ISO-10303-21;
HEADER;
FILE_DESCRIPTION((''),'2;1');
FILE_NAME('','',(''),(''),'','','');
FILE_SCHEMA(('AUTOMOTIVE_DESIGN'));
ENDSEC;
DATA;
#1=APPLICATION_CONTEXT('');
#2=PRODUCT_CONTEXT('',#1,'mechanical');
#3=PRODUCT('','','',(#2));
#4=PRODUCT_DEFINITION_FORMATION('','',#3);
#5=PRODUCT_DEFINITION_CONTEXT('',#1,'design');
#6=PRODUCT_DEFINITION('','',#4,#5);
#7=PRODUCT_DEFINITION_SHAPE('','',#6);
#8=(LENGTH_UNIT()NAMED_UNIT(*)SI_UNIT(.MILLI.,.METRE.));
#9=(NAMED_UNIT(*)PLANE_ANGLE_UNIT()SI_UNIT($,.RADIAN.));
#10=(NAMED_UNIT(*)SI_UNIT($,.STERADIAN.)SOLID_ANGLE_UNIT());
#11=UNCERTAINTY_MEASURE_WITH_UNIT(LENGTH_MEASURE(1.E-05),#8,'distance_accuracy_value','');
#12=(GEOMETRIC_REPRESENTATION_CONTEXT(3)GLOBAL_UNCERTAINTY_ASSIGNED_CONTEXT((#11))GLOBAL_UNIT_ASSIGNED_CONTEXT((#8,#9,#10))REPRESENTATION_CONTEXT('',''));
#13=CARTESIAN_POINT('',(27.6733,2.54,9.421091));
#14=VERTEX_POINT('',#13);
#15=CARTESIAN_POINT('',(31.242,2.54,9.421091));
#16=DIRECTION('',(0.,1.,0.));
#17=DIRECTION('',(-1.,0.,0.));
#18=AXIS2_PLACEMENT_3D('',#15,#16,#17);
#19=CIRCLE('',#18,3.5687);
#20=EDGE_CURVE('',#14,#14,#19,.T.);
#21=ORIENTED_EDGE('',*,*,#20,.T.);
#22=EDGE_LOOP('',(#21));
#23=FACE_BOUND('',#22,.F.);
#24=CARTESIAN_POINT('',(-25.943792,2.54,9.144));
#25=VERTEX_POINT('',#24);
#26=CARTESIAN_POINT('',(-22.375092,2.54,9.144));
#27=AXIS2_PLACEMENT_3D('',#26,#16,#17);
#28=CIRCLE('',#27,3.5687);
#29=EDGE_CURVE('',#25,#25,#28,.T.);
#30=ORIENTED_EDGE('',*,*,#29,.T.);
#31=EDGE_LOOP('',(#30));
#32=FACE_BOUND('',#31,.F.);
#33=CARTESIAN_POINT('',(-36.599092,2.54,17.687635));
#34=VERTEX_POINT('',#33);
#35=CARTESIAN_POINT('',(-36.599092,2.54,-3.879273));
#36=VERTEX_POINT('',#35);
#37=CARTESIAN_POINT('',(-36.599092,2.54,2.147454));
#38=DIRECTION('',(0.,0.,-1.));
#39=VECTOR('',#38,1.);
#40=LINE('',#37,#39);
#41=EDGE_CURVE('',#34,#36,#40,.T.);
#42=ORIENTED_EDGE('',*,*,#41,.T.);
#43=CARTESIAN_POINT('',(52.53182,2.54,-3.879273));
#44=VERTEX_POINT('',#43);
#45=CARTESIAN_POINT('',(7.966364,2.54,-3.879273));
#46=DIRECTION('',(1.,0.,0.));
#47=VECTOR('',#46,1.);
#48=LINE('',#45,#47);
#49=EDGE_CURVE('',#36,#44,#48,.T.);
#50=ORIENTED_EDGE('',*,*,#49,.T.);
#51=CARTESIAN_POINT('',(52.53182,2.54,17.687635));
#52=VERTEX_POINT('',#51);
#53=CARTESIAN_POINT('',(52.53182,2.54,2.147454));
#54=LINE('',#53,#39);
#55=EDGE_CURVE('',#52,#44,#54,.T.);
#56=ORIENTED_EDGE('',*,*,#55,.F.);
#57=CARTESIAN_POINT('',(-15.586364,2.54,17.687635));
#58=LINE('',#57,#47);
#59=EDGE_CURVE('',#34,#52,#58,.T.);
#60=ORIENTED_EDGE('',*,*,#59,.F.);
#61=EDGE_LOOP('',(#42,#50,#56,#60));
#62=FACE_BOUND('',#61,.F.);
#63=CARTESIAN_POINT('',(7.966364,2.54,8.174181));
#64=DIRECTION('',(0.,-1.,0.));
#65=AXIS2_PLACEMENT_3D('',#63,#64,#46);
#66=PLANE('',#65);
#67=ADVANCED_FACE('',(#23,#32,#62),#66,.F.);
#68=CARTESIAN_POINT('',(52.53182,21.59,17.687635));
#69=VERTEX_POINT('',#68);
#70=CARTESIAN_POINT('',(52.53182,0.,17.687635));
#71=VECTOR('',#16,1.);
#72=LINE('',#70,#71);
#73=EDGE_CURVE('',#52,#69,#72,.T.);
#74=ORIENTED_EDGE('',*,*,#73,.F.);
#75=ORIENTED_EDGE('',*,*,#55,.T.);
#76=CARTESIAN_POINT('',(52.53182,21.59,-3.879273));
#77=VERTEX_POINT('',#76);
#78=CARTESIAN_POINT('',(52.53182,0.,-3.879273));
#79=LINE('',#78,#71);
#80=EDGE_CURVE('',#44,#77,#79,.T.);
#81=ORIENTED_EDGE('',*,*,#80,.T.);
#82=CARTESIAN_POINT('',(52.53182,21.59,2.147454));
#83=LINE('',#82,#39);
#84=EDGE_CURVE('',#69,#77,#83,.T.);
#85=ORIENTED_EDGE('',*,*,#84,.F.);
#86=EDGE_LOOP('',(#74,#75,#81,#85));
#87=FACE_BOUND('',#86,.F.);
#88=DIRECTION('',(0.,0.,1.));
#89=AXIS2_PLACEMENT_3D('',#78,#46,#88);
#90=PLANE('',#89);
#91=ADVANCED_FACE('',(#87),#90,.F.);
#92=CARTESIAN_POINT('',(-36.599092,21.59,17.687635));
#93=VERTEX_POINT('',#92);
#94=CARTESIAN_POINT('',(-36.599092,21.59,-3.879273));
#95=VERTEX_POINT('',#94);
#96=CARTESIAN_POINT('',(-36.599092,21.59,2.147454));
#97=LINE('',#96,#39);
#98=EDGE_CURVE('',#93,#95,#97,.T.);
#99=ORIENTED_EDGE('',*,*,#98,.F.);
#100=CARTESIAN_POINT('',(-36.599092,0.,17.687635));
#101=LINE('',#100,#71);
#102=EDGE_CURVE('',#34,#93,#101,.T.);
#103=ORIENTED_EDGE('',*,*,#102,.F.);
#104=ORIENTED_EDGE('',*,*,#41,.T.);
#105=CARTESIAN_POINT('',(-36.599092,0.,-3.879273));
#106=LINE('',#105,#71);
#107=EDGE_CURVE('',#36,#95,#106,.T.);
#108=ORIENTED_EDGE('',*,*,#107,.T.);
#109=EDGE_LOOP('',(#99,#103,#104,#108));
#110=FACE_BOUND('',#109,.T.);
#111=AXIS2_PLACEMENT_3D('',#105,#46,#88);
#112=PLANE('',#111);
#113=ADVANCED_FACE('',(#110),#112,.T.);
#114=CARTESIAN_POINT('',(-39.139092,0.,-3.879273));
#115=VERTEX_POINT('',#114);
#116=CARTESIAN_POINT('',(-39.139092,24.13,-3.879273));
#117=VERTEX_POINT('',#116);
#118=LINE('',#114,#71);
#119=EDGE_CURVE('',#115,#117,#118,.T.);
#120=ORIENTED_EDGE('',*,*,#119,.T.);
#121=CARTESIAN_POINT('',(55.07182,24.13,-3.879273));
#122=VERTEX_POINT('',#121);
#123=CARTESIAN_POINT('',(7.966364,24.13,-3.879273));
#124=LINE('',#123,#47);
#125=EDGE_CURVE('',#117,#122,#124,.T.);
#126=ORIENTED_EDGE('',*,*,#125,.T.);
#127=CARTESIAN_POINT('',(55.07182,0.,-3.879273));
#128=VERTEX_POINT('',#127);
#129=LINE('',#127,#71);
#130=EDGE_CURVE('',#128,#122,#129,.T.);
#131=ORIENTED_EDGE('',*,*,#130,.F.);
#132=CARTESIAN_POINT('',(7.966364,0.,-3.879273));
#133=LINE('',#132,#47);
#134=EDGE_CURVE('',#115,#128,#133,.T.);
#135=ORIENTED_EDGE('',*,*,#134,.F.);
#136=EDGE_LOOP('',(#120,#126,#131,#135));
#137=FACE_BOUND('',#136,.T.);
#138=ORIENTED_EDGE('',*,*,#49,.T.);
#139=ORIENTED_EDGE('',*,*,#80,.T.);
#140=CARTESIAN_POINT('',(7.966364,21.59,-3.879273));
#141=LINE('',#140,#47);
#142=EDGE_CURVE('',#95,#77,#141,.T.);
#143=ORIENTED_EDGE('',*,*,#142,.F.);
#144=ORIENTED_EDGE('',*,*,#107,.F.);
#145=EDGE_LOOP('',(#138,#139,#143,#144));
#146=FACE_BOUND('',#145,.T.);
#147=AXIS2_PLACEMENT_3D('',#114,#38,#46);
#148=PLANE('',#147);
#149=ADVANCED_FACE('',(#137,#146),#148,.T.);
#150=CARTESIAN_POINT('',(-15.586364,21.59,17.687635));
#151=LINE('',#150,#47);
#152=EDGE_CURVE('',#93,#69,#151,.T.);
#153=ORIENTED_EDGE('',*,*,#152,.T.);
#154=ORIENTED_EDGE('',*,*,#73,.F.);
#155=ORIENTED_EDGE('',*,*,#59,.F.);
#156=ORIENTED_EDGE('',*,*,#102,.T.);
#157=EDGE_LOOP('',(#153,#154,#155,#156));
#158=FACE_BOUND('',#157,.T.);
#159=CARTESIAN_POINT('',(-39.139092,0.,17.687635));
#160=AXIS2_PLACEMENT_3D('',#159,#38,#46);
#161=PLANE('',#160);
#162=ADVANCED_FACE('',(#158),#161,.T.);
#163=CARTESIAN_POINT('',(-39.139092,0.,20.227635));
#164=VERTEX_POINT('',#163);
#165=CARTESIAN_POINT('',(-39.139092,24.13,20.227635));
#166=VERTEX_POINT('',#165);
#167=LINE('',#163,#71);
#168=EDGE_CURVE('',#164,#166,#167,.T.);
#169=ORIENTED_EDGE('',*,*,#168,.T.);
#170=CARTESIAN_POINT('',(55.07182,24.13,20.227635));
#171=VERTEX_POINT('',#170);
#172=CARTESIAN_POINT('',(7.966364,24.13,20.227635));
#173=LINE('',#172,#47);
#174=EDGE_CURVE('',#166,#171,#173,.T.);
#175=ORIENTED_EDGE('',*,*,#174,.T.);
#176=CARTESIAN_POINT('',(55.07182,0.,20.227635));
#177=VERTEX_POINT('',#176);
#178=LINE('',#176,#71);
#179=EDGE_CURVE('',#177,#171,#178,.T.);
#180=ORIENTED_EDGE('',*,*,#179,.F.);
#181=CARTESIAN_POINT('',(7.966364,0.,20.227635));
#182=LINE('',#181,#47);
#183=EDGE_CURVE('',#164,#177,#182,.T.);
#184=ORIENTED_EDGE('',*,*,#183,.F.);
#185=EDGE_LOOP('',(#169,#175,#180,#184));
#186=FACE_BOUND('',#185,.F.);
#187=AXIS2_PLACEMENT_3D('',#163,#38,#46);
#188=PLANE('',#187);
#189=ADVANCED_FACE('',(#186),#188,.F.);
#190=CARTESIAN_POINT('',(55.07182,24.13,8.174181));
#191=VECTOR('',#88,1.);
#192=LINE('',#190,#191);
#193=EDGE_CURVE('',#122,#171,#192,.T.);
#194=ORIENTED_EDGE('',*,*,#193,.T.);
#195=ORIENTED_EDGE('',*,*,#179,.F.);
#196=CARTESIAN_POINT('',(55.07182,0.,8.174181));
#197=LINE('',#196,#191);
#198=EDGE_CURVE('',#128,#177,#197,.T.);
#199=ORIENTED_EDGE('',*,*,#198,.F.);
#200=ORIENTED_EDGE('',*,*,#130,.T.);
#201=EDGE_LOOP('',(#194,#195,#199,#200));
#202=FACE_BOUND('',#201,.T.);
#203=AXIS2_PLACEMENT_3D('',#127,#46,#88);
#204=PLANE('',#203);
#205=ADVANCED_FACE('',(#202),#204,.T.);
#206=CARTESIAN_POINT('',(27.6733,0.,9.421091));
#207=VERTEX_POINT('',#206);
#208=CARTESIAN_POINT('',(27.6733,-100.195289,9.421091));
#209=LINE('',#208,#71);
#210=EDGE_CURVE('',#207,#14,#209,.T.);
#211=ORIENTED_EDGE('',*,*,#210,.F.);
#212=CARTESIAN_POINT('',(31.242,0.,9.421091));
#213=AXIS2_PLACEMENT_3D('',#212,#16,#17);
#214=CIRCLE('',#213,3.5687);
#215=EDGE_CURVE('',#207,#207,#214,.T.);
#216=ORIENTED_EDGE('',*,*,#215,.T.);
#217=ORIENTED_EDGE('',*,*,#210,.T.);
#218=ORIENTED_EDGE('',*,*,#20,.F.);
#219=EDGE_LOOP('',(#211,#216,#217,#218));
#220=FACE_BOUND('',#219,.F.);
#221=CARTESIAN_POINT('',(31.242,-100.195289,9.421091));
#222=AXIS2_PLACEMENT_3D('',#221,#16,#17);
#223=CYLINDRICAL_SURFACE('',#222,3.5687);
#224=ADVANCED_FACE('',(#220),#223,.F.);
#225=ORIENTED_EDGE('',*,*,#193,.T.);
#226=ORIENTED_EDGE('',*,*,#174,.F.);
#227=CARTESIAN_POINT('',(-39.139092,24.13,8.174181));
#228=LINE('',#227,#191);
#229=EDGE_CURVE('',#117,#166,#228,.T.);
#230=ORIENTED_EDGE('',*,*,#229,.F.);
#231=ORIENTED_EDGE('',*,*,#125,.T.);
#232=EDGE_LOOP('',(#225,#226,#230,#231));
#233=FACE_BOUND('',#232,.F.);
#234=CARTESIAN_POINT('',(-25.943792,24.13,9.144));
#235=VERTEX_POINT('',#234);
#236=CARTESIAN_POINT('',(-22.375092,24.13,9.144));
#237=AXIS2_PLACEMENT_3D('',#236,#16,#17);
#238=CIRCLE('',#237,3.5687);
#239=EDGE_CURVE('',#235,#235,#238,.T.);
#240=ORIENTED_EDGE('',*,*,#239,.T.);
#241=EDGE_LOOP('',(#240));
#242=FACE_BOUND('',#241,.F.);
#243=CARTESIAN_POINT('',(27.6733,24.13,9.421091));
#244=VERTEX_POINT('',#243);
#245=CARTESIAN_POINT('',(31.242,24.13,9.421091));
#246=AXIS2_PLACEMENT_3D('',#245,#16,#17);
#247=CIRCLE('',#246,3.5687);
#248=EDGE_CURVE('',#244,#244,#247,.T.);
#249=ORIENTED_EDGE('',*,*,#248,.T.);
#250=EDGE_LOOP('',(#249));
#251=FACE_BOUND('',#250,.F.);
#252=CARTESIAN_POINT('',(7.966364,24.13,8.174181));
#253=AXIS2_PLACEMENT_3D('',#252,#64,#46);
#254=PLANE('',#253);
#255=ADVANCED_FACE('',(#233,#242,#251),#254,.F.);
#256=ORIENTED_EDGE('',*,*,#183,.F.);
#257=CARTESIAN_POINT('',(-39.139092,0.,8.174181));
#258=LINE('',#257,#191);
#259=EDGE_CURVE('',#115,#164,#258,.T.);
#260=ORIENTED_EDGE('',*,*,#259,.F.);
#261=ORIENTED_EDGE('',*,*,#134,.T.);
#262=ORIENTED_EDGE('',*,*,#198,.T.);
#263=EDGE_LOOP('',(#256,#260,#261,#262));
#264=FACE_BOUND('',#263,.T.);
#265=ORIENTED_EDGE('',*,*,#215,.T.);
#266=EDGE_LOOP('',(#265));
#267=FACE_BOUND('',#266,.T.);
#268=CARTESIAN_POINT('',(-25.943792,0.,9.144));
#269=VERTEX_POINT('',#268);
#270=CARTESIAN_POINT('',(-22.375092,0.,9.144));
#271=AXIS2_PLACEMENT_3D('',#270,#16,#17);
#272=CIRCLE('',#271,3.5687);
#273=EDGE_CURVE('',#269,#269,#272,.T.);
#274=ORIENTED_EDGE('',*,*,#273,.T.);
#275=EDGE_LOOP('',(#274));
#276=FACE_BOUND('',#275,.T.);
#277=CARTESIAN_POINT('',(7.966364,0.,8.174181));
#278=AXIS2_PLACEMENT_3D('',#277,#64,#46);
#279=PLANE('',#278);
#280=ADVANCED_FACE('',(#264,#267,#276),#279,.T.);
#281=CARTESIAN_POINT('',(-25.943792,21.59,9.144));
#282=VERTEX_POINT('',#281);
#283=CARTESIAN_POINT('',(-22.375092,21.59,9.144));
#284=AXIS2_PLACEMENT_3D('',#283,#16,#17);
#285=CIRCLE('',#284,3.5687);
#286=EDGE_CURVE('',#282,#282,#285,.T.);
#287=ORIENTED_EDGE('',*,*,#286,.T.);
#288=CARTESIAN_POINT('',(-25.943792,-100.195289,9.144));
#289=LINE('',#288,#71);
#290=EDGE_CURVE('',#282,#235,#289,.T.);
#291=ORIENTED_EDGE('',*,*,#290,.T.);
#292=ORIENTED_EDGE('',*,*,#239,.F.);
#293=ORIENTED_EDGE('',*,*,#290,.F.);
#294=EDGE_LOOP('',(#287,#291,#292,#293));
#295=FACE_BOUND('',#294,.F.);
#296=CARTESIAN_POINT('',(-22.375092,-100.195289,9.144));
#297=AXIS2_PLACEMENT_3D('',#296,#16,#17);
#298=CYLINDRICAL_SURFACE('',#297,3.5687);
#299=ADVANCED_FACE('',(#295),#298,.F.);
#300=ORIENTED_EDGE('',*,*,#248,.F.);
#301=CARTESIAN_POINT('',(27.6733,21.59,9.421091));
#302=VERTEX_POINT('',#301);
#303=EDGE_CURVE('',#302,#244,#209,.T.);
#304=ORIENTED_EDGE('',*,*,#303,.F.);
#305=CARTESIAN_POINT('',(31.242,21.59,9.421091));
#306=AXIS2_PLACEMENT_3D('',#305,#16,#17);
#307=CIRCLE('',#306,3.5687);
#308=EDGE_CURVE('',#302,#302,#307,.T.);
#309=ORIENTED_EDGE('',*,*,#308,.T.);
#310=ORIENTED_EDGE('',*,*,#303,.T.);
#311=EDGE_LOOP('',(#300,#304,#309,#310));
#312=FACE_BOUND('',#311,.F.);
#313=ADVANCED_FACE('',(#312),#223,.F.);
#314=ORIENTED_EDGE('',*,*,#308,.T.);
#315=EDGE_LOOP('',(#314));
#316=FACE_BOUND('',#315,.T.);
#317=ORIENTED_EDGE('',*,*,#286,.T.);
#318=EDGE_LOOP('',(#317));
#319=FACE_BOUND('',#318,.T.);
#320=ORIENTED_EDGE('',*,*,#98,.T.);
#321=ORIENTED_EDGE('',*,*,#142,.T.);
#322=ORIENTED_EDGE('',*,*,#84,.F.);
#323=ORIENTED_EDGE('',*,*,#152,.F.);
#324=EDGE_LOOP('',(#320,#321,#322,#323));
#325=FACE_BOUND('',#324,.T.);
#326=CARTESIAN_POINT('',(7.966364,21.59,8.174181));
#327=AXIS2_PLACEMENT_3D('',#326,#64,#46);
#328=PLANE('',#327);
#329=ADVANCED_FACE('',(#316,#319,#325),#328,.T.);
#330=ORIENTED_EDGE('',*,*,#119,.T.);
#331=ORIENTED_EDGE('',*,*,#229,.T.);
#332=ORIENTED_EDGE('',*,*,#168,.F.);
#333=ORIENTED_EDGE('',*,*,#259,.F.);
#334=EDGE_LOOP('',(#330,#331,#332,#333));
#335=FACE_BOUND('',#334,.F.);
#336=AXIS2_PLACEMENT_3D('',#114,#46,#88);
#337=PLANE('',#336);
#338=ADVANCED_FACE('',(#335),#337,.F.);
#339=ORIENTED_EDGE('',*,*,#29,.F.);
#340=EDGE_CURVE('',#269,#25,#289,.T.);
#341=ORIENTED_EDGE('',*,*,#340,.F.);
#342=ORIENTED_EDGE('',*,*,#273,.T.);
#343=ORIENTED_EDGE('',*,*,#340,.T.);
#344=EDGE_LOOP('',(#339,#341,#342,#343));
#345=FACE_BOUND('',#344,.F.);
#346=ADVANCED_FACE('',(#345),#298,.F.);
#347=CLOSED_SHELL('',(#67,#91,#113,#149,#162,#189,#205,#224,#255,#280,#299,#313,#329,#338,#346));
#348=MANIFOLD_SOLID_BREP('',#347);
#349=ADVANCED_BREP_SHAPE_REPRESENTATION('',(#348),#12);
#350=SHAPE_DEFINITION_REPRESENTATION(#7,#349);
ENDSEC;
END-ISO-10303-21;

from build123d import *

# Parameters (mm, degrees)
F0_W     = 94.210912
F0_H     = 24.106908
F1_DEPTH = 24.13
F2_T     = -2.54
F4_D     = 7.1374


with BuildPart() as f1:
    # F0 (on Front) → F1 (new body)
    with BuildSketch(Plane.XZ):
        with Locations((7.966364, 8.174181)):
            Rectangle(F0_W, F0_H)
    extrude(amount=-F1_DEPTH)

    # F2
    f2_openings = [f1.faces().sort_by_distance(p)[0] for p in [
        (7.966364, 12.065, -3.879273),
    ]]
    offset(amount=F2_T, openings=f2_openings)

    # F4 (through all)
    with Locations(Plane.XZ):
        with Locations((-22.375092, 9.144), (31.242, 9.421091)):
            Hole(F4_D / 2)


solid = f1.part
